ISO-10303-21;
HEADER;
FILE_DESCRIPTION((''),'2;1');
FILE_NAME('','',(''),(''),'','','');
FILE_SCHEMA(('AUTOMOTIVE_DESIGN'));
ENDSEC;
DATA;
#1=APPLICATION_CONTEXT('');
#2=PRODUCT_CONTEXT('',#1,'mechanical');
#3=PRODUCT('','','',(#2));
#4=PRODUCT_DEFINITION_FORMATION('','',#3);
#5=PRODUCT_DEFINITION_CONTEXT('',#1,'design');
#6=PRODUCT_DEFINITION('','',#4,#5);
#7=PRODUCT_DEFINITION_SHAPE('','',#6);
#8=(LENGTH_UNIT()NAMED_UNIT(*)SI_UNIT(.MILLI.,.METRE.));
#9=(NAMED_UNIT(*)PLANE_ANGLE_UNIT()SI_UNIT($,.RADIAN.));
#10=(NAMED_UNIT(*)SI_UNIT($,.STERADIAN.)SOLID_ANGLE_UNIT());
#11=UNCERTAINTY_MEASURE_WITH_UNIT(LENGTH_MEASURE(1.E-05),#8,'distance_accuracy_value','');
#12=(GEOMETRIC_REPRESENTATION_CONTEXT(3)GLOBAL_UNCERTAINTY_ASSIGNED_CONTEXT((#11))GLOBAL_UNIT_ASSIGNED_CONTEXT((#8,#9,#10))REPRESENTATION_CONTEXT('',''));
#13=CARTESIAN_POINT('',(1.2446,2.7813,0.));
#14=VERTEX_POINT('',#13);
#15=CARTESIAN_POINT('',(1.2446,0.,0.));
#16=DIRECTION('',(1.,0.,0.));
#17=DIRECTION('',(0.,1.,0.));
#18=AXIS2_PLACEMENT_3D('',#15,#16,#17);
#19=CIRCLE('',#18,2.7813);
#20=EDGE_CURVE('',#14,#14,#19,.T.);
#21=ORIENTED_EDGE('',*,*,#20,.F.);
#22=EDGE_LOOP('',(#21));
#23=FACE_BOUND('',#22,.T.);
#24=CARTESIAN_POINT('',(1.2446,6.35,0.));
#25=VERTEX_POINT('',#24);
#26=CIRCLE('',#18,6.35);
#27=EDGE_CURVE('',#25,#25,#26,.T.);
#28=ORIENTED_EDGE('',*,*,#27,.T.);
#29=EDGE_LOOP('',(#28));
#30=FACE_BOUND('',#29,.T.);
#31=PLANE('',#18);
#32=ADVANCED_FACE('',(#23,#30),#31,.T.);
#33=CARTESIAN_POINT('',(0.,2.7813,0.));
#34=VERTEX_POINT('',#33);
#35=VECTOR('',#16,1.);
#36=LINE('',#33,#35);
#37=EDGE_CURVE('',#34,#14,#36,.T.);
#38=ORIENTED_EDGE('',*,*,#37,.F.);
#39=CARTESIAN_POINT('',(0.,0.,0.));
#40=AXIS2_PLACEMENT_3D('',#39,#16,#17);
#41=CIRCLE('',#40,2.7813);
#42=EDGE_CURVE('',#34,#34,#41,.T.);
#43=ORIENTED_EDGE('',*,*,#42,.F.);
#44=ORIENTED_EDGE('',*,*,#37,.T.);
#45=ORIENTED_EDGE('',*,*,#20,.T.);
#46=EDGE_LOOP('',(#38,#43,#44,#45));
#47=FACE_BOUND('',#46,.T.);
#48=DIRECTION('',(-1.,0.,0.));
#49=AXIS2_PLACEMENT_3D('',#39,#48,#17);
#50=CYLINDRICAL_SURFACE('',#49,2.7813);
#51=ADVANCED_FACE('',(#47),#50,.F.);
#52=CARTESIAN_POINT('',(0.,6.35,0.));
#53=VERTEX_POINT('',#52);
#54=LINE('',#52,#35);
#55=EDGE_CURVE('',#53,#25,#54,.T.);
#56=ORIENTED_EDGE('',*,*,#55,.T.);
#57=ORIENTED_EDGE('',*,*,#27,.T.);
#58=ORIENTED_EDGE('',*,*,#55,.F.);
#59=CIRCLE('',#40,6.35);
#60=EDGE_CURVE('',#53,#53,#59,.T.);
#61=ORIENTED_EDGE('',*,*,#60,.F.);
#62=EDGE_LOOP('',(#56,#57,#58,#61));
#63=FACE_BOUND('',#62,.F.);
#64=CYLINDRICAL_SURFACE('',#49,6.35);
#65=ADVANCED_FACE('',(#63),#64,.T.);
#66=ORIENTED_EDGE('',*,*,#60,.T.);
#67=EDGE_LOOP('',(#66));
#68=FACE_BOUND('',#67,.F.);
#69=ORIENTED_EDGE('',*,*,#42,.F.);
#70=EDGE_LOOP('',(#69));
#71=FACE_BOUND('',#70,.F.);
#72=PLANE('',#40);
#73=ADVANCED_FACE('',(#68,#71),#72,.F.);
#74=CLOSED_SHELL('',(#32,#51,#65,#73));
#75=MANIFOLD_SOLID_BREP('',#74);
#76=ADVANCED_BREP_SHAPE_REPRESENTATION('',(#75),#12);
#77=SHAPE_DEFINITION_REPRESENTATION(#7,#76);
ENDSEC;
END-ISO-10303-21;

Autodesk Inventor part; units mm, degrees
ref_plane "YZ Plane" through (0, 0, 0) normal (1, 0, 0) x (0, 1, 0)
ref_plane "XZ Plane" through (0, 0, 0) normal (0, 1, 0) x (-1, 0, 0)
sketch "Sketch" plane through (0, 0, 0) normal (1, 0, 0) x (0, 1, 0)
  circle A0 centre (0, 0) radius 6.35
  circle A1 centre (0, 0) radius 2.7813
  dimension "d0" = 5.5626
  dimension "d1" = 12.7
extrude "Body" add sketch "Sketch" along normal blind 1.2446
ref_plane "Work Plane1" through (0, 0, 0) normal (0, 0, 1) x (1, 0, 0)
equation "\"d0\" = SD1"
equation "\"d1\" = SD2"
equation "\"d2\" = SD"
equation "\"SD1\" = 5.5626"
equation "\"SD2\" = 12.7"
equation "\"SD\" = 1.2446"
equation "\"NND\" = 4.826"
properties part number "ANSI B18.22.1 - No. 10 - Type A" material "Steel, Mild"
